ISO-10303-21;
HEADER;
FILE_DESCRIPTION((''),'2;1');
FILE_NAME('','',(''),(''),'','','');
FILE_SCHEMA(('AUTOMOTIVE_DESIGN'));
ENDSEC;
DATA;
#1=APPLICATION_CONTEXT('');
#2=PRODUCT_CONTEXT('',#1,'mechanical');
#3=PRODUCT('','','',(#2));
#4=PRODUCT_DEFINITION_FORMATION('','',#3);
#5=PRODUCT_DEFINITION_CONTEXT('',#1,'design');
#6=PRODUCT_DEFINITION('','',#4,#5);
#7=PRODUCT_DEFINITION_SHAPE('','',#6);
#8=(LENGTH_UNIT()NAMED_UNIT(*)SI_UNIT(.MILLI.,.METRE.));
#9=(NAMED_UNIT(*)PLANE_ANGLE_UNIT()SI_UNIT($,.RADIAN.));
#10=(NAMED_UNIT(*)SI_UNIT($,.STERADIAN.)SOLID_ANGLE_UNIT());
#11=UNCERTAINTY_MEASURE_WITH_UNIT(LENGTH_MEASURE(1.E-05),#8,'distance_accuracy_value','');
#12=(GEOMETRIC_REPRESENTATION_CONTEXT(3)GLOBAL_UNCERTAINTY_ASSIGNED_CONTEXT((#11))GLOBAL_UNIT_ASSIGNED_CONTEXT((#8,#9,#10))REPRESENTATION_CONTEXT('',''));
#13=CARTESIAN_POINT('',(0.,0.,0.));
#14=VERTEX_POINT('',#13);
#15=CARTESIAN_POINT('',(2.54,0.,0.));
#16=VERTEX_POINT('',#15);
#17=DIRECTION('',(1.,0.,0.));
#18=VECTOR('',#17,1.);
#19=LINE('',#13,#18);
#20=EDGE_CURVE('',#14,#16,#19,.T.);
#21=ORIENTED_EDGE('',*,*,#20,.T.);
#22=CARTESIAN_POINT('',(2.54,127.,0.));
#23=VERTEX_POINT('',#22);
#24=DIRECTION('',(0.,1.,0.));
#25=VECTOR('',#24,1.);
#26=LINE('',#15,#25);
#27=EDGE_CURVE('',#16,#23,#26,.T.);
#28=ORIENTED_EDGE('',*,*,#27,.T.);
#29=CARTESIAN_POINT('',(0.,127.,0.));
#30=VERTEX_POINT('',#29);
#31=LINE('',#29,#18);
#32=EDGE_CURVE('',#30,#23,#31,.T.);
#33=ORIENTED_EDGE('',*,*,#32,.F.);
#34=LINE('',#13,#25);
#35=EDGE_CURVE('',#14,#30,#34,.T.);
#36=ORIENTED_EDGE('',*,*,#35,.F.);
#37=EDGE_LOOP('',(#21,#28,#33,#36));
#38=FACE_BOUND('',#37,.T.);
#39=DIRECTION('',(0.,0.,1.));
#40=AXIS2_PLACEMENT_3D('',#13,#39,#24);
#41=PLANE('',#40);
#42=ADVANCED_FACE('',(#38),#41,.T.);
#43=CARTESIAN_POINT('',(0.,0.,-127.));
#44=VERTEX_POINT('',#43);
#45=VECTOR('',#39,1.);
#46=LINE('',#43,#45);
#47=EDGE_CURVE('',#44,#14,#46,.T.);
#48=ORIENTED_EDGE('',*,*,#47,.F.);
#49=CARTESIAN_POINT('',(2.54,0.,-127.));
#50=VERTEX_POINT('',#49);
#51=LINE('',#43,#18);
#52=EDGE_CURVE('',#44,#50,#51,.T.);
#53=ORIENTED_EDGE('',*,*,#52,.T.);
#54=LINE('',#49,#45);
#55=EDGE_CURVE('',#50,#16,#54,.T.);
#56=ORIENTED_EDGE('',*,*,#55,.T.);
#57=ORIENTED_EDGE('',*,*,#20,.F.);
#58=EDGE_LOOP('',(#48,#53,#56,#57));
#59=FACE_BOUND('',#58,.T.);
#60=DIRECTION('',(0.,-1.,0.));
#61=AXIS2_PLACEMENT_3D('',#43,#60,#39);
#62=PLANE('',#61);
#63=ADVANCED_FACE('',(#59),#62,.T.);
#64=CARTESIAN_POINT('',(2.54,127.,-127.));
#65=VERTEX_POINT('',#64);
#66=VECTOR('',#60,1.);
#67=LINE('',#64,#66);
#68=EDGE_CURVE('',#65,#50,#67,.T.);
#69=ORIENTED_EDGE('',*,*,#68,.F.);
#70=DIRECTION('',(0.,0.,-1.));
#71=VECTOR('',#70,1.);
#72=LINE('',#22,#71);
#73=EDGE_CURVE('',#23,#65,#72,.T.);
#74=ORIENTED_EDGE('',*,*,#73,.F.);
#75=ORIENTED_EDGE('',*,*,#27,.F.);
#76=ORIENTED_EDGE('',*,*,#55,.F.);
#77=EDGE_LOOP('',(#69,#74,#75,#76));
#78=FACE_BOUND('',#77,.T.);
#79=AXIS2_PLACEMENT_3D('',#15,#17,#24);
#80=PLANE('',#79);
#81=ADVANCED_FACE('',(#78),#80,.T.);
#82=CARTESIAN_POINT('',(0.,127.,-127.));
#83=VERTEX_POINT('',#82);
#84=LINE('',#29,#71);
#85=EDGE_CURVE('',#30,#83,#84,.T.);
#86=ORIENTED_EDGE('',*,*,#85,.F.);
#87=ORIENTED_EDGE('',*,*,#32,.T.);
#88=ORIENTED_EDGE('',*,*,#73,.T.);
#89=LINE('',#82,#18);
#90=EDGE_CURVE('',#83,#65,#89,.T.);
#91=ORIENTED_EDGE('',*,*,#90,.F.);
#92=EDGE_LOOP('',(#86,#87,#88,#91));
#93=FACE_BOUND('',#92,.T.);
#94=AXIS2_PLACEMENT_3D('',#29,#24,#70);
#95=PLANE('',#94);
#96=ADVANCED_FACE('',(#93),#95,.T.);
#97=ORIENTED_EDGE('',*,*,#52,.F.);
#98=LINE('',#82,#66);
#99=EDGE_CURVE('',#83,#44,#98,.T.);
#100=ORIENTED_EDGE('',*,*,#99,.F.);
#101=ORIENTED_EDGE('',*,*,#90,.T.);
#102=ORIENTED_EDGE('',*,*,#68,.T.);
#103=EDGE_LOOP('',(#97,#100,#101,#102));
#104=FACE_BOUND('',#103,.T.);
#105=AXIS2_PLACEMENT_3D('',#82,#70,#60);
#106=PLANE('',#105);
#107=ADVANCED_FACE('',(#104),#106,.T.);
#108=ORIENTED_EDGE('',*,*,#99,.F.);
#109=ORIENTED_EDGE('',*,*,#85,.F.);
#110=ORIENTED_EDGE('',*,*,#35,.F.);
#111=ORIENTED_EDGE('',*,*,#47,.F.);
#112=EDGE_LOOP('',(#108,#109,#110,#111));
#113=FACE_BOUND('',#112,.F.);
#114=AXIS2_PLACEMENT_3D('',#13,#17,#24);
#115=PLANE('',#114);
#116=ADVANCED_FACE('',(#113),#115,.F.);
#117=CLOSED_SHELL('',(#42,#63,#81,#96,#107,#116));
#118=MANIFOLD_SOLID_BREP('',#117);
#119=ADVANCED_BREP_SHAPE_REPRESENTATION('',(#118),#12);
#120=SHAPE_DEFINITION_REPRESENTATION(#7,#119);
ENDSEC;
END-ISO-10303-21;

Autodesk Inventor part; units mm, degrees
ref_plane "YZ Plane" through (0, 0, 0) normal (1, 0, 0) x (0, 1, 0)
ref_plane "XZ Plane" through (0, 0, 0) normal (0, 1, 0) x (-1, 0, 0)
ref_plane "XY Plane" through (0, 0, 0) normal (0, 0, 1) x (1, 0, 0)
sketch "Sketch1" plane through (0, 0, 0) normal (1, 0, 0) x (0, 1, 0)
  line L0 (0, 0) -> (127, 0)
  line L1 (127, 0) -> (127, -127)
  line L2 (127, -127) -> (0, -127)
  line L3 (0, -127) -> (0, 0)
  dimension "d0" = 127
  dimension "d1" = 127
extrude "Extrusion1" add sketch "Sketch1" along normal blind 2.54
properties part number "door"
